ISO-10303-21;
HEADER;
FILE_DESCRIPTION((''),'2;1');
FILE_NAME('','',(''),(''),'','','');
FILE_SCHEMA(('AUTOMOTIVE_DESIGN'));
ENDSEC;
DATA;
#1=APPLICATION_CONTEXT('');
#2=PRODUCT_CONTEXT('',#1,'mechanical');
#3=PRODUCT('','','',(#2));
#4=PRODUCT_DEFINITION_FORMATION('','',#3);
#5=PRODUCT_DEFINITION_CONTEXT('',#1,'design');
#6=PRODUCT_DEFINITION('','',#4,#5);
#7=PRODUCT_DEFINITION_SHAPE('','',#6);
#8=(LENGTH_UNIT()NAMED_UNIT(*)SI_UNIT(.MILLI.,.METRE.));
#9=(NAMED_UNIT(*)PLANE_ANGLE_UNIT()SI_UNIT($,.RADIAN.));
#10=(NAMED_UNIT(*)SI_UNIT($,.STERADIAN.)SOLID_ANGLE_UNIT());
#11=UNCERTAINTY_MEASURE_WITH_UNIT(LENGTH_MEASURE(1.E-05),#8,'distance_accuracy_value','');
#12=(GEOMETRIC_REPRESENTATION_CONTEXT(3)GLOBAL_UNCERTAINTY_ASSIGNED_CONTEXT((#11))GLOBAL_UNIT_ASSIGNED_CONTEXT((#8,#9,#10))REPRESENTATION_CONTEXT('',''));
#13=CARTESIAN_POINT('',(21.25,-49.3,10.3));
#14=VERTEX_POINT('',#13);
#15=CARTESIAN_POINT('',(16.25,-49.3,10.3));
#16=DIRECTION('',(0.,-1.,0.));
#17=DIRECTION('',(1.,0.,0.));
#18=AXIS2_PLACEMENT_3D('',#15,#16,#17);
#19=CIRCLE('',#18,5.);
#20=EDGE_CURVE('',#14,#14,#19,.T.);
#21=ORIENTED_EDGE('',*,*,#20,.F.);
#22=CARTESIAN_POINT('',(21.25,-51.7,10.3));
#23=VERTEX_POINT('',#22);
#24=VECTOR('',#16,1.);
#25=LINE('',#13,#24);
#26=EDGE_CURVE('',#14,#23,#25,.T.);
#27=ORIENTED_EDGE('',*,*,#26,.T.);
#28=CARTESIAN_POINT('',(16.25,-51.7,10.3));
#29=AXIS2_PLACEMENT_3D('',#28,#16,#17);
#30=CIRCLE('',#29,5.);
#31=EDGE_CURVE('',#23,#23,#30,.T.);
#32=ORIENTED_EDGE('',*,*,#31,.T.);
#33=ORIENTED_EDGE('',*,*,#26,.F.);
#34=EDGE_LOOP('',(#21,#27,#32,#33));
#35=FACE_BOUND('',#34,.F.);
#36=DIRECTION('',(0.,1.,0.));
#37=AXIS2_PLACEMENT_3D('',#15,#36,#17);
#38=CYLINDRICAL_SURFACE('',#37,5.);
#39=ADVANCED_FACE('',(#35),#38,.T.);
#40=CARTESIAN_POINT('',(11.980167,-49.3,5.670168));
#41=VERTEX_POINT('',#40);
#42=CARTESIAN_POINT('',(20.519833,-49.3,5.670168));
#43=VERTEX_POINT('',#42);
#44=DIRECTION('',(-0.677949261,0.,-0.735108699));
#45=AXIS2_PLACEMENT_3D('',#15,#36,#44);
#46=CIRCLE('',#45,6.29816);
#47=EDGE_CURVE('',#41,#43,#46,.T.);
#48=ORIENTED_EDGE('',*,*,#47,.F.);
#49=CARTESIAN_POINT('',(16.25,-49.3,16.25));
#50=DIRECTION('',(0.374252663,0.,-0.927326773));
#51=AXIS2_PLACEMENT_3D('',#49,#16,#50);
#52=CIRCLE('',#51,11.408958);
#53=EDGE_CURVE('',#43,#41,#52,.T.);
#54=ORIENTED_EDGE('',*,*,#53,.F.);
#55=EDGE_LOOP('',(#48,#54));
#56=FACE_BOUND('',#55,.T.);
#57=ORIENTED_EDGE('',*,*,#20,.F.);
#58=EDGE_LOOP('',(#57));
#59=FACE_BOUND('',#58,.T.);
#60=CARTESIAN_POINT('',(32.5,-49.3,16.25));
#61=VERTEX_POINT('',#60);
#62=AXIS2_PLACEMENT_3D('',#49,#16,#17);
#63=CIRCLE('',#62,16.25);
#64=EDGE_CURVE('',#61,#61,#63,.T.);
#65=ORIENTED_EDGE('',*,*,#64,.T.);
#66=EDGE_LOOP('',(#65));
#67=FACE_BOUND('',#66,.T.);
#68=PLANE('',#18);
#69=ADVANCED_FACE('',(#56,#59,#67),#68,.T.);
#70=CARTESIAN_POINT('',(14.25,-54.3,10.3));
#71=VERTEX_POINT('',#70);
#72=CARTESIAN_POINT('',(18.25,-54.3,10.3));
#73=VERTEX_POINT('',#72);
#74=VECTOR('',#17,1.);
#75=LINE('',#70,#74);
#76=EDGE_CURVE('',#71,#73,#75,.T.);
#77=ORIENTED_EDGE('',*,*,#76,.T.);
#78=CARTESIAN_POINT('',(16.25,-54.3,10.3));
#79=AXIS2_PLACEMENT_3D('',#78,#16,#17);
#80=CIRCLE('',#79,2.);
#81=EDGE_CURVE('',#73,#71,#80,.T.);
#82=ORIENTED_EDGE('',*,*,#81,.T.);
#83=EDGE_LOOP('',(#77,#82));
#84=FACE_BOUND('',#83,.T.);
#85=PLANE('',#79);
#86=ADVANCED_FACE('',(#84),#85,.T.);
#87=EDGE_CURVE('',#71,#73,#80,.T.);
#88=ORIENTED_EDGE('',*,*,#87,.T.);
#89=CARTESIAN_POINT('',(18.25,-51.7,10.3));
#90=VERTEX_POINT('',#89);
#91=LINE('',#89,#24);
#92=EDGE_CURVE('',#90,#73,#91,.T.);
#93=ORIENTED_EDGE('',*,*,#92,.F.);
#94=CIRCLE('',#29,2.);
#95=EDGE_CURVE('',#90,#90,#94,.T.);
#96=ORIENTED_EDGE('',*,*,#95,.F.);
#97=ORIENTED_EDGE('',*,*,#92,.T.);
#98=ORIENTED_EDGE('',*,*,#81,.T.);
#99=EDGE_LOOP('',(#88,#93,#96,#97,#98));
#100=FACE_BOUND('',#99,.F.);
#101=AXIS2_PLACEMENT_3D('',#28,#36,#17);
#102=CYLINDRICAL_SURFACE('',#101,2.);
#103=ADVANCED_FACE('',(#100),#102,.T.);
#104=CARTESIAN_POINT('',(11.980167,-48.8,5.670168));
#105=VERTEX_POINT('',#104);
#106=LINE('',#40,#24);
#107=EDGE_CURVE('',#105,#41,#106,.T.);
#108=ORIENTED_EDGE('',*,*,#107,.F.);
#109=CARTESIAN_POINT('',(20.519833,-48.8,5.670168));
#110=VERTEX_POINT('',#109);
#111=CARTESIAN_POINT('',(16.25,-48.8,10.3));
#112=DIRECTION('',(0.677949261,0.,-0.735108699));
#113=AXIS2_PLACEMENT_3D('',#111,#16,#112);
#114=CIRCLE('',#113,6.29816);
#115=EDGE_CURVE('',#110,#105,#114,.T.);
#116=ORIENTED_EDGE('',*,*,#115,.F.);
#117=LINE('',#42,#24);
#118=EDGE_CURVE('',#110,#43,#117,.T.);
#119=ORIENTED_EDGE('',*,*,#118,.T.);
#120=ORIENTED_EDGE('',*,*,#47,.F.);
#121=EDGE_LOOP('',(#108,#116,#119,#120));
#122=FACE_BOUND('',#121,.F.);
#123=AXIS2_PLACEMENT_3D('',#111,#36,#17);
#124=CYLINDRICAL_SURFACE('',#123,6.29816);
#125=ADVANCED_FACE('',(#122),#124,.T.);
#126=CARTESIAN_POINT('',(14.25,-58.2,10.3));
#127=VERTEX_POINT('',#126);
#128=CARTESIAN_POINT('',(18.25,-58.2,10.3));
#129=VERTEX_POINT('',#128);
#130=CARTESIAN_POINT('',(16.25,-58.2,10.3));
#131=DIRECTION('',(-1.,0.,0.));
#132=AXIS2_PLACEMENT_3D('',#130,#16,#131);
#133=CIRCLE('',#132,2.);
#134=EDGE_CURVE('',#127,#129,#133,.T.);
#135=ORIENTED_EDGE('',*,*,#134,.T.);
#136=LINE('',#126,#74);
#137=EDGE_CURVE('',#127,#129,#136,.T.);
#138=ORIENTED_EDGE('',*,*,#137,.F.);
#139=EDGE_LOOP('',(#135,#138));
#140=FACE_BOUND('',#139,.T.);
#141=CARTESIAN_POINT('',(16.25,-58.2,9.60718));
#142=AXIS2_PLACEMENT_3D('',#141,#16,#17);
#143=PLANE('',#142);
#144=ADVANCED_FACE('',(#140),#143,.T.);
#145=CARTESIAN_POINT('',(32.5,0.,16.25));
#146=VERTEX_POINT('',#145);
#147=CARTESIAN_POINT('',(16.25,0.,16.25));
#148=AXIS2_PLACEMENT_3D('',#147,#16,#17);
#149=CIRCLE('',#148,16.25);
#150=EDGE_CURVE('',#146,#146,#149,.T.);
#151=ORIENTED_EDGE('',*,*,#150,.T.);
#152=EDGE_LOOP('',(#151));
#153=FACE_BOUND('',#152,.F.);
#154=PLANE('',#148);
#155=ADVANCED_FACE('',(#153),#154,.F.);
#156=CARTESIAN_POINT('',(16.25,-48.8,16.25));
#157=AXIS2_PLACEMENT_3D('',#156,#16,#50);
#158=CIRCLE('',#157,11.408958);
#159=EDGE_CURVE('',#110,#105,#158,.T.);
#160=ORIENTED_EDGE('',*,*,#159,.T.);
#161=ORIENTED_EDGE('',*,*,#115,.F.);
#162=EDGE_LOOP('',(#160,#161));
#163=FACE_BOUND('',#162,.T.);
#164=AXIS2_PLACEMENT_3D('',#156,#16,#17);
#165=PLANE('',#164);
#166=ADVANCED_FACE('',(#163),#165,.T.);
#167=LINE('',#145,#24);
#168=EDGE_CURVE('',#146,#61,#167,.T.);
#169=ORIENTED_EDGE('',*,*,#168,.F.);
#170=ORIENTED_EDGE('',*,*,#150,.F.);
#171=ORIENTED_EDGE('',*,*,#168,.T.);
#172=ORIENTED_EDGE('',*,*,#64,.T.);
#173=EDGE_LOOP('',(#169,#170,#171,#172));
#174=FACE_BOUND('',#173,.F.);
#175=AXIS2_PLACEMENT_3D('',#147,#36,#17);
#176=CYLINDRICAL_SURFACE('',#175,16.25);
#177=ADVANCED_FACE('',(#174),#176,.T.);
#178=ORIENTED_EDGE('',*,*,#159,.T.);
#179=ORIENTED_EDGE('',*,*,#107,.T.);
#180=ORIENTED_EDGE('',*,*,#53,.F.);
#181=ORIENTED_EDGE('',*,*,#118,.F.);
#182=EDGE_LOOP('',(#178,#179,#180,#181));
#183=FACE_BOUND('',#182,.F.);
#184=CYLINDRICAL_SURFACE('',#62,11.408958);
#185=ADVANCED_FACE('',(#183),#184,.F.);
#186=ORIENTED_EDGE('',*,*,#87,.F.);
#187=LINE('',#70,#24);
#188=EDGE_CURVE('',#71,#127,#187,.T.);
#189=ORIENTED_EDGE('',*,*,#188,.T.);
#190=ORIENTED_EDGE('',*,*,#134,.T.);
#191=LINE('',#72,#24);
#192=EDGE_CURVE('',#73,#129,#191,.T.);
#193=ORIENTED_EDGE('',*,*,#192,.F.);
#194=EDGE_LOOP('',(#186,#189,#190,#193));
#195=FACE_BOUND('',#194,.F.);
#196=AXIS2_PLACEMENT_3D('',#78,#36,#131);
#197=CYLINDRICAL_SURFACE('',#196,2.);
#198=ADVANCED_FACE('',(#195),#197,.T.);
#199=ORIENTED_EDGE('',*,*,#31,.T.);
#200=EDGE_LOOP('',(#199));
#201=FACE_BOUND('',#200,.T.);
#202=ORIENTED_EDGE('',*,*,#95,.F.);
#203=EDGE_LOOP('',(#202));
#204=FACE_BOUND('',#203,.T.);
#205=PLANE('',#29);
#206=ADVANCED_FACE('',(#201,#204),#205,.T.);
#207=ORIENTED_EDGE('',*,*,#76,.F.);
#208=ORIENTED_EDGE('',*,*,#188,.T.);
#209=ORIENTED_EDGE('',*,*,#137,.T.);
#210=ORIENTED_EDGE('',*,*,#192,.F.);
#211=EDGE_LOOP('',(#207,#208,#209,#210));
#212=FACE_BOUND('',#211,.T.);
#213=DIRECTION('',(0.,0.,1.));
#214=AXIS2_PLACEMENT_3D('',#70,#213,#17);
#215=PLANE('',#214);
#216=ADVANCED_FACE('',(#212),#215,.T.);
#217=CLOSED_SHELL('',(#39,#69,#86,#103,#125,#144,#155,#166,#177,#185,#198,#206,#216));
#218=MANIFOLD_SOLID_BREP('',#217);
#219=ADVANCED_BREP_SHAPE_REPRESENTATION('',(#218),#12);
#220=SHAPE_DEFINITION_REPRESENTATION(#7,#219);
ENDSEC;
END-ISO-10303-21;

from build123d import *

# Parameters (mm, degrees)
SKETCH001_R  = 16.25
PAD001_DEPTH = 49.3
SKETCH002_R  = 11.408958
POCKET_DEPTH = 0.5
SKETCH003_R  = 6.29816
PAD002_DEPTH = 0.5
SKETCH004_R  = 5
PAD003_DEPTH = 2.4
SKETCH005_R  = 2
PAD004_DEPTH = 2.6
PAD005_DEPTH = 3.9


with BuildPart() as part:
    # Sketch001 → Pad001 (new body)
    with BuildSketch(Plane.XZ):
        with Locations((16.25, 16.25)):
            Circle(SKETCH001_R)
    extrude(amount=PAD001_DEPTH)

    # Sketch002 (on Face3 of Pad001) → Pocket (cut)
    with BuildSketch(Plane.XZ.offset(49.3)):
        with Locations((16.25, 16.25)):
            Circle(SKETCH002_R)
    extrude(amount=-POCKET_DEPTH, mode=Mode.SUBTRACT)

    # Sketch003 (on Face5 of Pocket) → Pad002 (join)
    with BuildSketch(Plane.XZ.offset(48.8)):
        with Locations((16.25, 10.3)):
            Circle(SKETCH003_R)
    extrude(amount=PAD002_DEPTH)

    # Sketch004 (on Face9 of Pad002) → Pad003 (join)
    with BuildSketch(Plane.XZ.offset(49.3)):
        with Locations((16.25, 10.3)):
            Circle(SKETCH004_R)
    extrude(amount=PAD003_DEPTH)

    # Sketch005 (on Face12 of Pad003) → Pad004 (join)
    with BuildSketch(Plane.XZ.offset(51.7)):
        with Locations((16.25, 10.3)):
            Circle(SKETCH005_R)
    extrude(amount=PAD004_DEPTH)

    # Sketch006 (on Face14 of Pad004) → Pad005 (join)
    with BuildSketch(Plane.XZ.offset(54.3)):
        with BuildLine():
            ThreePointArc((14.25, 10.3), (16.25, 8.3), (18.25, 10.3))
            Line((14.25, 10.3), (18.25, 10.3))
        make_face()
    extrude(amount=PAD005_DEPTH)


solid = part.part
